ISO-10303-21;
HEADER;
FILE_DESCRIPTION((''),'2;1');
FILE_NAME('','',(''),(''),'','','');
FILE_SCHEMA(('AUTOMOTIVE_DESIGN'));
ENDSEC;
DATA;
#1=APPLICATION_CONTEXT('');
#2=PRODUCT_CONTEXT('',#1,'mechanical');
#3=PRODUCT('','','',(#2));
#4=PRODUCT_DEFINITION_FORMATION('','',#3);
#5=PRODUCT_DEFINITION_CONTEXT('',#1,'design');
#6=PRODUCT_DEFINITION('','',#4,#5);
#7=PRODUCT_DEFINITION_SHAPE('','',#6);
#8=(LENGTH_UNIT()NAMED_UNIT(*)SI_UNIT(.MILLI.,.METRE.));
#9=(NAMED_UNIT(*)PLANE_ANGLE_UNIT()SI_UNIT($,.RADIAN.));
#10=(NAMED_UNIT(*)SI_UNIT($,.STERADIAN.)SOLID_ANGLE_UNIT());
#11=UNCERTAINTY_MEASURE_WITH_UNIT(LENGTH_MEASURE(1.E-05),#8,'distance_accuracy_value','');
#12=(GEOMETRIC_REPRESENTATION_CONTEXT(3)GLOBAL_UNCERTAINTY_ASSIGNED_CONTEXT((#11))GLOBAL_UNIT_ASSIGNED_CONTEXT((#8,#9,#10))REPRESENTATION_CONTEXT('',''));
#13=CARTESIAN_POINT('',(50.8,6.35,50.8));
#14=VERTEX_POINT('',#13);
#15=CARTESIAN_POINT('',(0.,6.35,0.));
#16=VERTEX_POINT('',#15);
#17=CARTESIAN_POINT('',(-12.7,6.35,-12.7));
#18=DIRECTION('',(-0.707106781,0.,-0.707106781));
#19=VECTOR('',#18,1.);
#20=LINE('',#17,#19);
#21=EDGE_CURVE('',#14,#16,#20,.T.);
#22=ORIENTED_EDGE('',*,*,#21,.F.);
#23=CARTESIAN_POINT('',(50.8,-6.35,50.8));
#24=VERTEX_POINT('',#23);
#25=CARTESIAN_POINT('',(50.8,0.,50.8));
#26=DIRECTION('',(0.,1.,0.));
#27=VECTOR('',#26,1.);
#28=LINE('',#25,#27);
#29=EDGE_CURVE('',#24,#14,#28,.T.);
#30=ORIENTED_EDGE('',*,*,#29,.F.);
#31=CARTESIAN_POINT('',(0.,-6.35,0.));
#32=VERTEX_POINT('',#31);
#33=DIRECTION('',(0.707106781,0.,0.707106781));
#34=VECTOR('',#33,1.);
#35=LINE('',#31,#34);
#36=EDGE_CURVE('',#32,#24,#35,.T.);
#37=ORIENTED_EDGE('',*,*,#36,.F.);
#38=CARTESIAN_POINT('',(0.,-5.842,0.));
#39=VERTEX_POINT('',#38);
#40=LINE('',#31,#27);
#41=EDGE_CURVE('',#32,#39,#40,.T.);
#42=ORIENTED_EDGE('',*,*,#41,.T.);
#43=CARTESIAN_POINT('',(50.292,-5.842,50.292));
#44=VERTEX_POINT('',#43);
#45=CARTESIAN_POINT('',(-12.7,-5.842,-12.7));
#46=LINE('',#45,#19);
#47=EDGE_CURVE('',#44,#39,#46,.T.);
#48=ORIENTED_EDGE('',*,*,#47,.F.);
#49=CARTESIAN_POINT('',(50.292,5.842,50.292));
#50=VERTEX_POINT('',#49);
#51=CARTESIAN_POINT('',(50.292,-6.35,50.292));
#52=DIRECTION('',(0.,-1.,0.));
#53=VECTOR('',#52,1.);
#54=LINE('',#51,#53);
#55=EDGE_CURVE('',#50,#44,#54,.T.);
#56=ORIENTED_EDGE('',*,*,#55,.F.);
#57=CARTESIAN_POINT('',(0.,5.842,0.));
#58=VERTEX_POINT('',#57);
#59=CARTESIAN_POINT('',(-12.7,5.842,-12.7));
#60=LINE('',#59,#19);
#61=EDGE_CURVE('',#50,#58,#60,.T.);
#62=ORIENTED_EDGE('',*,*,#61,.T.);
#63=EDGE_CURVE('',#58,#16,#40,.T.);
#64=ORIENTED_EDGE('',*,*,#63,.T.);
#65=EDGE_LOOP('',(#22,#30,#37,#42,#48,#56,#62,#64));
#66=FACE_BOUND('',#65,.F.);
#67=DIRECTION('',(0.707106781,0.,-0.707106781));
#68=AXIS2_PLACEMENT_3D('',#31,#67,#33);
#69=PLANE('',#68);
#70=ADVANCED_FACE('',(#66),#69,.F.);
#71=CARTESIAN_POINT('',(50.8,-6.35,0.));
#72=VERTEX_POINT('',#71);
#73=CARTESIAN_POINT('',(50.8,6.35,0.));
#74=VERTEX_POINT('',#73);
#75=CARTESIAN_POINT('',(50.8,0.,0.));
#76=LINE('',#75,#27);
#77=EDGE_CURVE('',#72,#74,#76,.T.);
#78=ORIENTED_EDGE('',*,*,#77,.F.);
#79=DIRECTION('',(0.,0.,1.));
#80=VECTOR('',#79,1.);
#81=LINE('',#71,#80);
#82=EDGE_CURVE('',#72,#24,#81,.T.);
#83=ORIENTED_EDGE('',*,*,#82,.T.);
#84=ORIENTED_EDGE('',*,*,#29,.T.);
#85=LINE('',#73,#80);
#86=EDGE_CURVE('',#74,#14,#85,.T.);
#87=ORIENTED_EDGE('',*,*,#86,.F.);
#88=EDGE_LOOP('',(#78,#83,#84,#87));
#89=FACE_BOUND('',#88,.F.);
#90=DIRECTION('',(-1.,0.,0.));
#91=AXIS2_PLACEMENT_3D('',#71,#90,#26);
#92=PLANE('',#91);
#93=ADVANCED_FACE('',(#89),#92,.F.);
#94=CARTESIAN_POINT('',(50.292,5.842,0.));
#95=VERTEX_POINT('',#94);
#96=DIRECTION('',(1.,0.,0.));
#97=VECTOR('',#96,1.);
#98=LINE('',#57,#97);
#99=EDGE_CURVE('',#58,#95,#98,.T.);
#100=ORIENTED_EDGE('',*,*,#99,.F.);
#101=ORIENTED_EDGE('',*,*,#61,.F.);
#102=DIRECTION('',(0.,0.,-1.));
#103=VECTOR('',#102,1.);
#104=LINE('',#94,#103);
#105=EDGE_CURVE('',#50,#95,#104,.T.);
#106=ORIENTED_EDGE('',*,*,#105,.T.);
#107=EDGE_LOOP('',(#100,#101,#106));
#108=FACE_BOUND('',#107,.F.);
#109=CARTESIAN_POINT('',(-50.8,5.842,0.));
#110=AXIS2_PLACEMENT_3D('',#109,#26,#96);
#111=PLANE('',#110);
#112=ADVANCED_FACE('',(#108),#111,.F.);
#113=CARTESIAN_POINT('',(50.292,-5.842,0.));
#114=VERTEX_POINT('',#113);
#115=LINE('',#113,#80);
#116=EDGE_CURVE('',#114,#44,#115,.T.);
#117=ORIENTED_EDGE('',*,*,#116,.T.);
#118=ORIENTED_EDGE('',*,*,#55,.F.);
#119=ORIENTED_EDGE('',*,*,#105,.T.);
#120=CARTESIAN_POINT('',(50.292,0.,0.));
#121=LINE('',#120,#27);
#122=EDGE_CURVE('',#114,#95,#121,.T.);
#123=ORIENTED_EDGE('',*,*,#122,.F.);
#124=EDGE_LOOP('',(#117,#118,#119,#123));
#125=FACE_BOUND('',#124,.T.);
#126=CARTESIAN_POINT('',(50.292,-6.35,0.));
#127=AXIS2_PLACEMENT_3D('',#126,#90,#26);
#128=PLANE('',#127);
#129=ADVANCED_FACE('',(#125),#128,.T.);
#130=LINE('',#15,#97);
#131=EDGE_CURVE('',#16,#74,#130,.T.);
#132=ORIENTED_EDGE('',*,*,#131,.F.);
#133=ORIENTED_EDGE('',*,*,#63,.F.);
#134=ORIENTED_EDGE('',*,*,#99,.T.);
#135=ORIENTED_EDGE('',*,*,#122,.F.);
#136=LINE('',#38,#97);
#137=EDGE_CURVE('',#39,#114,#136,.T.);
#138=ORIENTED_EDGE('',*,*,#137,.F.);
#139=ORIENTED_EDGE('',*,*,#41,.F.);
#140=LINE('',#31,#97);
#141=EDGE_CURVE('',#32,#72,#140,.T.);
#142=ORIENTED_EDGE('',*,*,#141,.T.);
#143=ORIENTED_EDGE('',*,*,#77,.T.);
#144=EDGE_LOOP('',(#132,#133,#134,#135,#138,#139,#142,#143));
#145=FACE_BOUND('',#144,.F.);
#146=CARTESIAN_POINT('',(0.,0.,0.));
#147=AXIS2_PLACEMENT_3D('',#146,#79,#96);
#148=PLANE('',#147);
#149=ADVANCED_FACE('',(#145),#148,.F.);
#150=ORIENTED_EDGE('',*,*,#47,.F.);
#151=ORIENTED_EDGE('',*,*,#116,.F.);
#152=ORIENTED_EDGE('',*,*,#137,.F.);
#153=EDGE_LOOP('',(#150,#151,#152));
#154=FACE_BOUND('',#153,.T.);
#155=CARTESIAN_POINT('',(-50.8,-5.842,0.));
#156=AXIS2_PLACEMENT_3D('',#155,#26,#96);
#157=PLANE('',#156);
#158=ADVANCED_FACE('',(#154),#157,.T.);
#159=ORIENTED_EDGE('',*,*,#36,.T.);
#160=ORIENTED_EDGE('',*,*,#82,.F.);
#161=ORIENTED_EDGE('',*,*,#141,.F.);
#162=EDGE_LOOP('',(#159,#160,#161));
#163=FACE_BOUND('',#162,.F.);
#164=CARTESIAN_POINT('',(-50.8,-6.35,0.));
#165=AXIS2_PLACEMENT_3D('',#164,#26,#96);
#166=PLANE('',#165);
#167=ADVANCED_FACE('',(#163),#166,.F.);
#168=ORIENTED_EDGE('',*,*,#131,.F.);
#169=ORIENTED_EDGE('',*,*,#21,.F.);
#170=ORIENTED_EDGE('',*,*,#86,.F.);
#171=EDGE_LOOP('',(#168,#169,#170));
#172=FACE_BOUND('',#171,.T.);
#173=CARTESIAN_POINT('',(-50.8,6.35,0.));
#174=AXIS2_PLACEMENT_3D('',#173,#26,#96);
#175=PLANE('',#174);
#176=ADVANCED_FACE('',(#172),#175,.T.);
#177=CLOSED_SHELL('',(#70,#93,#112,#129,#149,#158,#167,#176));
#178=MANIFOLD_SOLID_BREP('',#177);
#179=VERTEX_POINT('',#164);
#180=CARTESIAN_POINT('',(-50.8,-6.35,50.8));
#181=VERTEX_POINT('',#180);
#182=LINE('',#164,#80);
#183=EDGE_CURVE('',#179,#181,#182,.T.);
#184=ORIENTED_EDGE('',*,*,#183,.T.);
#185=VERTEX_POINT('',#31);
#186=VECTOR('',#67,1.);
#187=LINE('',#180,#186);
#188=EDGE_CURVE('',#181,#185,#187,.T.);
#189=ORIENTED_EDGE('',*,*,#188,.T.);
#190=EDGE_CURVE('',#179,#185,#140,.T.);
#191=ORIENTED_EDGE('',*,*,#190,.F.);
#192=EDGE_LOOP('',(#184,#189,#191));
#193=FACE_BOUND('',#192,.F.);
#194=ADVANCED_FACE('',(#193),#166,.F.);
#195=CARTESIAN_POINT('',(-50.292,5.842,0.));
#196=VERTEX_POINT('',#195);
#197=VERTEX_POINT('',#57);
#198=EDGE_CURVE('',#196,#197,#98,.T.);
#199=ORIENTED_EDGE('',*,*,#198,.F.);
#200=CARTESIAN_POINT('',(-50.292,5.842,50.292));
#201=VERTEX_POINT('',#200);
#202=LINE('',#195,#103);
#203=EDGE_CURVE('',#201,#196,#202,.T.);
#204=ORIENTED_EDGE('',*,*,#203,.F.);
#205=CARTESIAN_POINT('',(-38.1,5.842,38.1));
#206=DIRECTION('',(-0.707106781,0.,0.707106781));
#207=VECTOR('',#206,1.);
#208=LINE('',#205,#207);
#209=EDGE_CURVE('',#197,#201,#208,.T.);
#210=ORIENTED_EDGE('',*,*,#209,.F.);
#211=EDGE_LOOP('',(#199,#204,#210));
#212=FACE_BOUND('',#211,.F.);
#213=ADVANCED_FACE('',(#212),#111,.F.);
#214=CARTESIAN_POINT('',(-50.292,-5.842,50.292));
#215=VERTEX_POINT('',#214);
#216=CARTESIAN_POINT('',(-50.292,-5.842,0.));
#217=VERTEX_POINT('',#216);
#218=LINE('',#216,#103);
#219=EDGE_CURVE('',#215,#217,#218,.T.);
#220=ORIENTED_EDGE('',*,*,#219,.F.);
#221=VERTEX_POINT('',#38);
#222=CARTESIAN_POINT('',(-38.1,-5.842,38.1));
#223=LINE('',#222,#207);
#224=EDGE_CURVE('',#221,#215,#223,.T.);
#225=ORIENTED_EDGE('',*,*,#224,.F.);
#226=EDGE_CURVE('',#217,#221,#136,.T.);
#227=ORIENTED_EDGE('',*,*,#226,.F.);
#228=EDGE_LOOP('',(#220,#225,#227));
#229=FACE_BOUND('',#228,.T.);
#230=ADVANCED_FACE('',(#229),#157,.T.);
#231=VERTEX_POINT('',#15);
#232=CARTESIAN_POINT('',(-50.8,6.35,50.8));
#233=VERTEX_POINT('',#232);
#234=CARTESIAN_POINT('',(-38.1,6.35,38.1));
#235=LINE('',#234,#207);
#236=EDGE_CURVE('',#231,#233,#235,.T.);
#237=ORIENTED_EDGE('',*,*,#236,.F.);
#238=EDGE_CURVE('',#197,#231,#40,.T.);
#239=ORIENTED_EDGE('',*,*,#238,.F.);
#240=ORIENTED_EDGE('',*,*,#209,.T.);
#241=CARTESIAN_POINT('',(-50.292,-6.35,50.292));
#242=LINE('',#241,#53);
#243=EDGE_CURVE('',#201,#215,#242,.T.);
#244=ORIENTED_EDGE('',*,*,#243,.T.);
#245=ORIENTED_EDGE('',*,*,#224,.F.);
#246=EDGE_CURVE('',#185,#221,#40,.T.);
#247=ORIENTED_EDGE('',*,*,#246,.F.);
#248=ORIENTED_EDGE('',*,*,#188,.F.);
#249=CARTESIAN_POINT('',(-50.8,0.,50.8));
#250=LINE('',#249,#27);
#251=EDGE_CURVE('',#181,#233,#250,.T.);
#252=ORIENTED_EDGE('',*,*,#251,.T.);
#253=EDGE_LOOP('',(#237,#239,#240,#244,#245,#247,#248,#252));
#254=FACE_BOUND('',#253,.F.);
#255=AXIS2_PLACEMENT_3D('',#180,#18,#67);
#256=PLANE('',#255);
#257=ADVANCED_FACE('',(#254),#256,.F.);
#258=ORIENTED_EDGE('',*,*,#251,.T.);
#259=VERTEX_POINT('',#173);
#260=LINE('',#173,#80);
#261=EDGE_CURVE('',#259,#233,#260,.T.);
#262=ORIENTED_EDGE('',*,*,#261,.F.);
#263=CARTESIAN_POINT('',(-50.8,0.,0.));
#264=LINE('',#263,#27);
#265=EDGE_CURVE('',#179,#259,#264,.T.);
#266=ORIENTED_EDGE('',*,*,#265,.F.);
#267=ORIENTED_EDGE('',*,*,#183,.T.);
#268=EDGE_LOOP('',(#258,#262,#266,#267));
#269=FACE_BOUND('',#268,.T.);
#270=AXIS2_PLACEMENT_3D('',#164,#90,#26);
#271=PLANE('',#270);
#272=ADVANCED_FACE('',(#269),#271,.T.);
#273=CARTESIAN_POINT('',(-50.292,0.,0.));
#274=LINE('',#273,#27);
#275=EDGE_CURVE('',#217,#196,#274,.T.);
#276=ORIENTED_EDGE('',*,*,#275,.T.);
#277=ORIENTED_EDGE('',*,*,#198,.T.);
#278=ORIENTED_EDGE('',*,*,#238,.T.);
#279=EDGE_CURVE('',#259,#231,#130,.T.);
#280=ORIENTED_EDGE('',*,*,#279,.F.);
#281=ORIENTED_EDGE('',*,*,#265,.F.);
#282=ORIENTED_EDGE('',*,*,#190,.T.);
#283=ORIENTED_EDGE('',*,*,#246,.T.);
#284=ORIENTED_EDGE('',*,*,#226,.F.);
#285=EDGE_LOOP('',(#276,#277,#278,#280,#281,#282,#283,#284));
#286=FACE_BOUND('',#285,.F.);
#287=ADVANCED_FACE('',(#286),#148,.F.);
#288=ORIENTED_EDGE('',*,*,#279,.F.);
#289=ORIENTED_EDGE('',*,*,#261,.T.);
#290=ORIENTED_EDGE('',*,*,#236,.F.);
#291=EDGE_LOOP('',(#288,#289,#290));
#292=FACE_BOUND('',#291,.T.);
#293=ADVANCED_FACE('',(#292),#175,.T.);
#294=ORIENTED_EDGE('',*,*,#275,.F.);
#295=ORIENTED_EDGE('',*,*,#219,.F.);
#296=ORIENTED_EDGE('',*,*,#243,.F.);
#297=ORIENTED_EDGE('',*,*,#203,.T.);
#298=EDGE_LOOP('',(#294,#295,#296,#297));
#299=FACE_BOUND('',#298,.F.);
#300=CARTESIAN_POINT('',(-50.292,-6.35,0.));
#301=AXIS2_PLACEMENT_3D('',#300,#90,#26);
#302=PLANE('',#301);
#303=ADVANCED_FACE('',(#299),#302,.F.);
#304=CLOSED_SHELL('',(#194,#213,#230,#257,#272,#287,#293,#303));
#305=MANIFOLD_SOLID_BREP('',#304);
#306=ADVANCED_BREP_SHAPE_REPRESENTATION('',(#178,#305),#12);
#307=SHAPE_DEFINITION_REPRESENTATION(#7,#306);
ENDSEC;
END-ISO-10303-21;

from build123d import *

# Parameters (mm, degrees)
F0_W     = 101.6
F0_H     = 12.7
F1_DEPTH = 50.8
F2_T     = -0.508
F4_DEPTH = 13.208


with BuildPart() as f1:
    # F0 (on Top) → F1 (new body)
    with BuildSketch(Plane.XY):
        Rectangle(F0_W, F0_H)
    extrude(amount=F1_DEPTH)

    # F2
    f2_openings = [f1.faces().sort_by_distance(p)[0] for p in [
        (0, 0, 50.8),
        (0, 0, 0),
    ]]
    offset(amount=F2_T, openings=f2_openings)

    # F3 (on face) → F4 (cut)
    with BuildSketch(Plane.XZ.offset(6.35)):
        Polygon((-50.8, 50.8), (0, 0), (50.8, 50.8), align=None)
    extrude(amount=-F4_DEPTH, mode=Mode.SUBTRACT)


solid = f1.part
